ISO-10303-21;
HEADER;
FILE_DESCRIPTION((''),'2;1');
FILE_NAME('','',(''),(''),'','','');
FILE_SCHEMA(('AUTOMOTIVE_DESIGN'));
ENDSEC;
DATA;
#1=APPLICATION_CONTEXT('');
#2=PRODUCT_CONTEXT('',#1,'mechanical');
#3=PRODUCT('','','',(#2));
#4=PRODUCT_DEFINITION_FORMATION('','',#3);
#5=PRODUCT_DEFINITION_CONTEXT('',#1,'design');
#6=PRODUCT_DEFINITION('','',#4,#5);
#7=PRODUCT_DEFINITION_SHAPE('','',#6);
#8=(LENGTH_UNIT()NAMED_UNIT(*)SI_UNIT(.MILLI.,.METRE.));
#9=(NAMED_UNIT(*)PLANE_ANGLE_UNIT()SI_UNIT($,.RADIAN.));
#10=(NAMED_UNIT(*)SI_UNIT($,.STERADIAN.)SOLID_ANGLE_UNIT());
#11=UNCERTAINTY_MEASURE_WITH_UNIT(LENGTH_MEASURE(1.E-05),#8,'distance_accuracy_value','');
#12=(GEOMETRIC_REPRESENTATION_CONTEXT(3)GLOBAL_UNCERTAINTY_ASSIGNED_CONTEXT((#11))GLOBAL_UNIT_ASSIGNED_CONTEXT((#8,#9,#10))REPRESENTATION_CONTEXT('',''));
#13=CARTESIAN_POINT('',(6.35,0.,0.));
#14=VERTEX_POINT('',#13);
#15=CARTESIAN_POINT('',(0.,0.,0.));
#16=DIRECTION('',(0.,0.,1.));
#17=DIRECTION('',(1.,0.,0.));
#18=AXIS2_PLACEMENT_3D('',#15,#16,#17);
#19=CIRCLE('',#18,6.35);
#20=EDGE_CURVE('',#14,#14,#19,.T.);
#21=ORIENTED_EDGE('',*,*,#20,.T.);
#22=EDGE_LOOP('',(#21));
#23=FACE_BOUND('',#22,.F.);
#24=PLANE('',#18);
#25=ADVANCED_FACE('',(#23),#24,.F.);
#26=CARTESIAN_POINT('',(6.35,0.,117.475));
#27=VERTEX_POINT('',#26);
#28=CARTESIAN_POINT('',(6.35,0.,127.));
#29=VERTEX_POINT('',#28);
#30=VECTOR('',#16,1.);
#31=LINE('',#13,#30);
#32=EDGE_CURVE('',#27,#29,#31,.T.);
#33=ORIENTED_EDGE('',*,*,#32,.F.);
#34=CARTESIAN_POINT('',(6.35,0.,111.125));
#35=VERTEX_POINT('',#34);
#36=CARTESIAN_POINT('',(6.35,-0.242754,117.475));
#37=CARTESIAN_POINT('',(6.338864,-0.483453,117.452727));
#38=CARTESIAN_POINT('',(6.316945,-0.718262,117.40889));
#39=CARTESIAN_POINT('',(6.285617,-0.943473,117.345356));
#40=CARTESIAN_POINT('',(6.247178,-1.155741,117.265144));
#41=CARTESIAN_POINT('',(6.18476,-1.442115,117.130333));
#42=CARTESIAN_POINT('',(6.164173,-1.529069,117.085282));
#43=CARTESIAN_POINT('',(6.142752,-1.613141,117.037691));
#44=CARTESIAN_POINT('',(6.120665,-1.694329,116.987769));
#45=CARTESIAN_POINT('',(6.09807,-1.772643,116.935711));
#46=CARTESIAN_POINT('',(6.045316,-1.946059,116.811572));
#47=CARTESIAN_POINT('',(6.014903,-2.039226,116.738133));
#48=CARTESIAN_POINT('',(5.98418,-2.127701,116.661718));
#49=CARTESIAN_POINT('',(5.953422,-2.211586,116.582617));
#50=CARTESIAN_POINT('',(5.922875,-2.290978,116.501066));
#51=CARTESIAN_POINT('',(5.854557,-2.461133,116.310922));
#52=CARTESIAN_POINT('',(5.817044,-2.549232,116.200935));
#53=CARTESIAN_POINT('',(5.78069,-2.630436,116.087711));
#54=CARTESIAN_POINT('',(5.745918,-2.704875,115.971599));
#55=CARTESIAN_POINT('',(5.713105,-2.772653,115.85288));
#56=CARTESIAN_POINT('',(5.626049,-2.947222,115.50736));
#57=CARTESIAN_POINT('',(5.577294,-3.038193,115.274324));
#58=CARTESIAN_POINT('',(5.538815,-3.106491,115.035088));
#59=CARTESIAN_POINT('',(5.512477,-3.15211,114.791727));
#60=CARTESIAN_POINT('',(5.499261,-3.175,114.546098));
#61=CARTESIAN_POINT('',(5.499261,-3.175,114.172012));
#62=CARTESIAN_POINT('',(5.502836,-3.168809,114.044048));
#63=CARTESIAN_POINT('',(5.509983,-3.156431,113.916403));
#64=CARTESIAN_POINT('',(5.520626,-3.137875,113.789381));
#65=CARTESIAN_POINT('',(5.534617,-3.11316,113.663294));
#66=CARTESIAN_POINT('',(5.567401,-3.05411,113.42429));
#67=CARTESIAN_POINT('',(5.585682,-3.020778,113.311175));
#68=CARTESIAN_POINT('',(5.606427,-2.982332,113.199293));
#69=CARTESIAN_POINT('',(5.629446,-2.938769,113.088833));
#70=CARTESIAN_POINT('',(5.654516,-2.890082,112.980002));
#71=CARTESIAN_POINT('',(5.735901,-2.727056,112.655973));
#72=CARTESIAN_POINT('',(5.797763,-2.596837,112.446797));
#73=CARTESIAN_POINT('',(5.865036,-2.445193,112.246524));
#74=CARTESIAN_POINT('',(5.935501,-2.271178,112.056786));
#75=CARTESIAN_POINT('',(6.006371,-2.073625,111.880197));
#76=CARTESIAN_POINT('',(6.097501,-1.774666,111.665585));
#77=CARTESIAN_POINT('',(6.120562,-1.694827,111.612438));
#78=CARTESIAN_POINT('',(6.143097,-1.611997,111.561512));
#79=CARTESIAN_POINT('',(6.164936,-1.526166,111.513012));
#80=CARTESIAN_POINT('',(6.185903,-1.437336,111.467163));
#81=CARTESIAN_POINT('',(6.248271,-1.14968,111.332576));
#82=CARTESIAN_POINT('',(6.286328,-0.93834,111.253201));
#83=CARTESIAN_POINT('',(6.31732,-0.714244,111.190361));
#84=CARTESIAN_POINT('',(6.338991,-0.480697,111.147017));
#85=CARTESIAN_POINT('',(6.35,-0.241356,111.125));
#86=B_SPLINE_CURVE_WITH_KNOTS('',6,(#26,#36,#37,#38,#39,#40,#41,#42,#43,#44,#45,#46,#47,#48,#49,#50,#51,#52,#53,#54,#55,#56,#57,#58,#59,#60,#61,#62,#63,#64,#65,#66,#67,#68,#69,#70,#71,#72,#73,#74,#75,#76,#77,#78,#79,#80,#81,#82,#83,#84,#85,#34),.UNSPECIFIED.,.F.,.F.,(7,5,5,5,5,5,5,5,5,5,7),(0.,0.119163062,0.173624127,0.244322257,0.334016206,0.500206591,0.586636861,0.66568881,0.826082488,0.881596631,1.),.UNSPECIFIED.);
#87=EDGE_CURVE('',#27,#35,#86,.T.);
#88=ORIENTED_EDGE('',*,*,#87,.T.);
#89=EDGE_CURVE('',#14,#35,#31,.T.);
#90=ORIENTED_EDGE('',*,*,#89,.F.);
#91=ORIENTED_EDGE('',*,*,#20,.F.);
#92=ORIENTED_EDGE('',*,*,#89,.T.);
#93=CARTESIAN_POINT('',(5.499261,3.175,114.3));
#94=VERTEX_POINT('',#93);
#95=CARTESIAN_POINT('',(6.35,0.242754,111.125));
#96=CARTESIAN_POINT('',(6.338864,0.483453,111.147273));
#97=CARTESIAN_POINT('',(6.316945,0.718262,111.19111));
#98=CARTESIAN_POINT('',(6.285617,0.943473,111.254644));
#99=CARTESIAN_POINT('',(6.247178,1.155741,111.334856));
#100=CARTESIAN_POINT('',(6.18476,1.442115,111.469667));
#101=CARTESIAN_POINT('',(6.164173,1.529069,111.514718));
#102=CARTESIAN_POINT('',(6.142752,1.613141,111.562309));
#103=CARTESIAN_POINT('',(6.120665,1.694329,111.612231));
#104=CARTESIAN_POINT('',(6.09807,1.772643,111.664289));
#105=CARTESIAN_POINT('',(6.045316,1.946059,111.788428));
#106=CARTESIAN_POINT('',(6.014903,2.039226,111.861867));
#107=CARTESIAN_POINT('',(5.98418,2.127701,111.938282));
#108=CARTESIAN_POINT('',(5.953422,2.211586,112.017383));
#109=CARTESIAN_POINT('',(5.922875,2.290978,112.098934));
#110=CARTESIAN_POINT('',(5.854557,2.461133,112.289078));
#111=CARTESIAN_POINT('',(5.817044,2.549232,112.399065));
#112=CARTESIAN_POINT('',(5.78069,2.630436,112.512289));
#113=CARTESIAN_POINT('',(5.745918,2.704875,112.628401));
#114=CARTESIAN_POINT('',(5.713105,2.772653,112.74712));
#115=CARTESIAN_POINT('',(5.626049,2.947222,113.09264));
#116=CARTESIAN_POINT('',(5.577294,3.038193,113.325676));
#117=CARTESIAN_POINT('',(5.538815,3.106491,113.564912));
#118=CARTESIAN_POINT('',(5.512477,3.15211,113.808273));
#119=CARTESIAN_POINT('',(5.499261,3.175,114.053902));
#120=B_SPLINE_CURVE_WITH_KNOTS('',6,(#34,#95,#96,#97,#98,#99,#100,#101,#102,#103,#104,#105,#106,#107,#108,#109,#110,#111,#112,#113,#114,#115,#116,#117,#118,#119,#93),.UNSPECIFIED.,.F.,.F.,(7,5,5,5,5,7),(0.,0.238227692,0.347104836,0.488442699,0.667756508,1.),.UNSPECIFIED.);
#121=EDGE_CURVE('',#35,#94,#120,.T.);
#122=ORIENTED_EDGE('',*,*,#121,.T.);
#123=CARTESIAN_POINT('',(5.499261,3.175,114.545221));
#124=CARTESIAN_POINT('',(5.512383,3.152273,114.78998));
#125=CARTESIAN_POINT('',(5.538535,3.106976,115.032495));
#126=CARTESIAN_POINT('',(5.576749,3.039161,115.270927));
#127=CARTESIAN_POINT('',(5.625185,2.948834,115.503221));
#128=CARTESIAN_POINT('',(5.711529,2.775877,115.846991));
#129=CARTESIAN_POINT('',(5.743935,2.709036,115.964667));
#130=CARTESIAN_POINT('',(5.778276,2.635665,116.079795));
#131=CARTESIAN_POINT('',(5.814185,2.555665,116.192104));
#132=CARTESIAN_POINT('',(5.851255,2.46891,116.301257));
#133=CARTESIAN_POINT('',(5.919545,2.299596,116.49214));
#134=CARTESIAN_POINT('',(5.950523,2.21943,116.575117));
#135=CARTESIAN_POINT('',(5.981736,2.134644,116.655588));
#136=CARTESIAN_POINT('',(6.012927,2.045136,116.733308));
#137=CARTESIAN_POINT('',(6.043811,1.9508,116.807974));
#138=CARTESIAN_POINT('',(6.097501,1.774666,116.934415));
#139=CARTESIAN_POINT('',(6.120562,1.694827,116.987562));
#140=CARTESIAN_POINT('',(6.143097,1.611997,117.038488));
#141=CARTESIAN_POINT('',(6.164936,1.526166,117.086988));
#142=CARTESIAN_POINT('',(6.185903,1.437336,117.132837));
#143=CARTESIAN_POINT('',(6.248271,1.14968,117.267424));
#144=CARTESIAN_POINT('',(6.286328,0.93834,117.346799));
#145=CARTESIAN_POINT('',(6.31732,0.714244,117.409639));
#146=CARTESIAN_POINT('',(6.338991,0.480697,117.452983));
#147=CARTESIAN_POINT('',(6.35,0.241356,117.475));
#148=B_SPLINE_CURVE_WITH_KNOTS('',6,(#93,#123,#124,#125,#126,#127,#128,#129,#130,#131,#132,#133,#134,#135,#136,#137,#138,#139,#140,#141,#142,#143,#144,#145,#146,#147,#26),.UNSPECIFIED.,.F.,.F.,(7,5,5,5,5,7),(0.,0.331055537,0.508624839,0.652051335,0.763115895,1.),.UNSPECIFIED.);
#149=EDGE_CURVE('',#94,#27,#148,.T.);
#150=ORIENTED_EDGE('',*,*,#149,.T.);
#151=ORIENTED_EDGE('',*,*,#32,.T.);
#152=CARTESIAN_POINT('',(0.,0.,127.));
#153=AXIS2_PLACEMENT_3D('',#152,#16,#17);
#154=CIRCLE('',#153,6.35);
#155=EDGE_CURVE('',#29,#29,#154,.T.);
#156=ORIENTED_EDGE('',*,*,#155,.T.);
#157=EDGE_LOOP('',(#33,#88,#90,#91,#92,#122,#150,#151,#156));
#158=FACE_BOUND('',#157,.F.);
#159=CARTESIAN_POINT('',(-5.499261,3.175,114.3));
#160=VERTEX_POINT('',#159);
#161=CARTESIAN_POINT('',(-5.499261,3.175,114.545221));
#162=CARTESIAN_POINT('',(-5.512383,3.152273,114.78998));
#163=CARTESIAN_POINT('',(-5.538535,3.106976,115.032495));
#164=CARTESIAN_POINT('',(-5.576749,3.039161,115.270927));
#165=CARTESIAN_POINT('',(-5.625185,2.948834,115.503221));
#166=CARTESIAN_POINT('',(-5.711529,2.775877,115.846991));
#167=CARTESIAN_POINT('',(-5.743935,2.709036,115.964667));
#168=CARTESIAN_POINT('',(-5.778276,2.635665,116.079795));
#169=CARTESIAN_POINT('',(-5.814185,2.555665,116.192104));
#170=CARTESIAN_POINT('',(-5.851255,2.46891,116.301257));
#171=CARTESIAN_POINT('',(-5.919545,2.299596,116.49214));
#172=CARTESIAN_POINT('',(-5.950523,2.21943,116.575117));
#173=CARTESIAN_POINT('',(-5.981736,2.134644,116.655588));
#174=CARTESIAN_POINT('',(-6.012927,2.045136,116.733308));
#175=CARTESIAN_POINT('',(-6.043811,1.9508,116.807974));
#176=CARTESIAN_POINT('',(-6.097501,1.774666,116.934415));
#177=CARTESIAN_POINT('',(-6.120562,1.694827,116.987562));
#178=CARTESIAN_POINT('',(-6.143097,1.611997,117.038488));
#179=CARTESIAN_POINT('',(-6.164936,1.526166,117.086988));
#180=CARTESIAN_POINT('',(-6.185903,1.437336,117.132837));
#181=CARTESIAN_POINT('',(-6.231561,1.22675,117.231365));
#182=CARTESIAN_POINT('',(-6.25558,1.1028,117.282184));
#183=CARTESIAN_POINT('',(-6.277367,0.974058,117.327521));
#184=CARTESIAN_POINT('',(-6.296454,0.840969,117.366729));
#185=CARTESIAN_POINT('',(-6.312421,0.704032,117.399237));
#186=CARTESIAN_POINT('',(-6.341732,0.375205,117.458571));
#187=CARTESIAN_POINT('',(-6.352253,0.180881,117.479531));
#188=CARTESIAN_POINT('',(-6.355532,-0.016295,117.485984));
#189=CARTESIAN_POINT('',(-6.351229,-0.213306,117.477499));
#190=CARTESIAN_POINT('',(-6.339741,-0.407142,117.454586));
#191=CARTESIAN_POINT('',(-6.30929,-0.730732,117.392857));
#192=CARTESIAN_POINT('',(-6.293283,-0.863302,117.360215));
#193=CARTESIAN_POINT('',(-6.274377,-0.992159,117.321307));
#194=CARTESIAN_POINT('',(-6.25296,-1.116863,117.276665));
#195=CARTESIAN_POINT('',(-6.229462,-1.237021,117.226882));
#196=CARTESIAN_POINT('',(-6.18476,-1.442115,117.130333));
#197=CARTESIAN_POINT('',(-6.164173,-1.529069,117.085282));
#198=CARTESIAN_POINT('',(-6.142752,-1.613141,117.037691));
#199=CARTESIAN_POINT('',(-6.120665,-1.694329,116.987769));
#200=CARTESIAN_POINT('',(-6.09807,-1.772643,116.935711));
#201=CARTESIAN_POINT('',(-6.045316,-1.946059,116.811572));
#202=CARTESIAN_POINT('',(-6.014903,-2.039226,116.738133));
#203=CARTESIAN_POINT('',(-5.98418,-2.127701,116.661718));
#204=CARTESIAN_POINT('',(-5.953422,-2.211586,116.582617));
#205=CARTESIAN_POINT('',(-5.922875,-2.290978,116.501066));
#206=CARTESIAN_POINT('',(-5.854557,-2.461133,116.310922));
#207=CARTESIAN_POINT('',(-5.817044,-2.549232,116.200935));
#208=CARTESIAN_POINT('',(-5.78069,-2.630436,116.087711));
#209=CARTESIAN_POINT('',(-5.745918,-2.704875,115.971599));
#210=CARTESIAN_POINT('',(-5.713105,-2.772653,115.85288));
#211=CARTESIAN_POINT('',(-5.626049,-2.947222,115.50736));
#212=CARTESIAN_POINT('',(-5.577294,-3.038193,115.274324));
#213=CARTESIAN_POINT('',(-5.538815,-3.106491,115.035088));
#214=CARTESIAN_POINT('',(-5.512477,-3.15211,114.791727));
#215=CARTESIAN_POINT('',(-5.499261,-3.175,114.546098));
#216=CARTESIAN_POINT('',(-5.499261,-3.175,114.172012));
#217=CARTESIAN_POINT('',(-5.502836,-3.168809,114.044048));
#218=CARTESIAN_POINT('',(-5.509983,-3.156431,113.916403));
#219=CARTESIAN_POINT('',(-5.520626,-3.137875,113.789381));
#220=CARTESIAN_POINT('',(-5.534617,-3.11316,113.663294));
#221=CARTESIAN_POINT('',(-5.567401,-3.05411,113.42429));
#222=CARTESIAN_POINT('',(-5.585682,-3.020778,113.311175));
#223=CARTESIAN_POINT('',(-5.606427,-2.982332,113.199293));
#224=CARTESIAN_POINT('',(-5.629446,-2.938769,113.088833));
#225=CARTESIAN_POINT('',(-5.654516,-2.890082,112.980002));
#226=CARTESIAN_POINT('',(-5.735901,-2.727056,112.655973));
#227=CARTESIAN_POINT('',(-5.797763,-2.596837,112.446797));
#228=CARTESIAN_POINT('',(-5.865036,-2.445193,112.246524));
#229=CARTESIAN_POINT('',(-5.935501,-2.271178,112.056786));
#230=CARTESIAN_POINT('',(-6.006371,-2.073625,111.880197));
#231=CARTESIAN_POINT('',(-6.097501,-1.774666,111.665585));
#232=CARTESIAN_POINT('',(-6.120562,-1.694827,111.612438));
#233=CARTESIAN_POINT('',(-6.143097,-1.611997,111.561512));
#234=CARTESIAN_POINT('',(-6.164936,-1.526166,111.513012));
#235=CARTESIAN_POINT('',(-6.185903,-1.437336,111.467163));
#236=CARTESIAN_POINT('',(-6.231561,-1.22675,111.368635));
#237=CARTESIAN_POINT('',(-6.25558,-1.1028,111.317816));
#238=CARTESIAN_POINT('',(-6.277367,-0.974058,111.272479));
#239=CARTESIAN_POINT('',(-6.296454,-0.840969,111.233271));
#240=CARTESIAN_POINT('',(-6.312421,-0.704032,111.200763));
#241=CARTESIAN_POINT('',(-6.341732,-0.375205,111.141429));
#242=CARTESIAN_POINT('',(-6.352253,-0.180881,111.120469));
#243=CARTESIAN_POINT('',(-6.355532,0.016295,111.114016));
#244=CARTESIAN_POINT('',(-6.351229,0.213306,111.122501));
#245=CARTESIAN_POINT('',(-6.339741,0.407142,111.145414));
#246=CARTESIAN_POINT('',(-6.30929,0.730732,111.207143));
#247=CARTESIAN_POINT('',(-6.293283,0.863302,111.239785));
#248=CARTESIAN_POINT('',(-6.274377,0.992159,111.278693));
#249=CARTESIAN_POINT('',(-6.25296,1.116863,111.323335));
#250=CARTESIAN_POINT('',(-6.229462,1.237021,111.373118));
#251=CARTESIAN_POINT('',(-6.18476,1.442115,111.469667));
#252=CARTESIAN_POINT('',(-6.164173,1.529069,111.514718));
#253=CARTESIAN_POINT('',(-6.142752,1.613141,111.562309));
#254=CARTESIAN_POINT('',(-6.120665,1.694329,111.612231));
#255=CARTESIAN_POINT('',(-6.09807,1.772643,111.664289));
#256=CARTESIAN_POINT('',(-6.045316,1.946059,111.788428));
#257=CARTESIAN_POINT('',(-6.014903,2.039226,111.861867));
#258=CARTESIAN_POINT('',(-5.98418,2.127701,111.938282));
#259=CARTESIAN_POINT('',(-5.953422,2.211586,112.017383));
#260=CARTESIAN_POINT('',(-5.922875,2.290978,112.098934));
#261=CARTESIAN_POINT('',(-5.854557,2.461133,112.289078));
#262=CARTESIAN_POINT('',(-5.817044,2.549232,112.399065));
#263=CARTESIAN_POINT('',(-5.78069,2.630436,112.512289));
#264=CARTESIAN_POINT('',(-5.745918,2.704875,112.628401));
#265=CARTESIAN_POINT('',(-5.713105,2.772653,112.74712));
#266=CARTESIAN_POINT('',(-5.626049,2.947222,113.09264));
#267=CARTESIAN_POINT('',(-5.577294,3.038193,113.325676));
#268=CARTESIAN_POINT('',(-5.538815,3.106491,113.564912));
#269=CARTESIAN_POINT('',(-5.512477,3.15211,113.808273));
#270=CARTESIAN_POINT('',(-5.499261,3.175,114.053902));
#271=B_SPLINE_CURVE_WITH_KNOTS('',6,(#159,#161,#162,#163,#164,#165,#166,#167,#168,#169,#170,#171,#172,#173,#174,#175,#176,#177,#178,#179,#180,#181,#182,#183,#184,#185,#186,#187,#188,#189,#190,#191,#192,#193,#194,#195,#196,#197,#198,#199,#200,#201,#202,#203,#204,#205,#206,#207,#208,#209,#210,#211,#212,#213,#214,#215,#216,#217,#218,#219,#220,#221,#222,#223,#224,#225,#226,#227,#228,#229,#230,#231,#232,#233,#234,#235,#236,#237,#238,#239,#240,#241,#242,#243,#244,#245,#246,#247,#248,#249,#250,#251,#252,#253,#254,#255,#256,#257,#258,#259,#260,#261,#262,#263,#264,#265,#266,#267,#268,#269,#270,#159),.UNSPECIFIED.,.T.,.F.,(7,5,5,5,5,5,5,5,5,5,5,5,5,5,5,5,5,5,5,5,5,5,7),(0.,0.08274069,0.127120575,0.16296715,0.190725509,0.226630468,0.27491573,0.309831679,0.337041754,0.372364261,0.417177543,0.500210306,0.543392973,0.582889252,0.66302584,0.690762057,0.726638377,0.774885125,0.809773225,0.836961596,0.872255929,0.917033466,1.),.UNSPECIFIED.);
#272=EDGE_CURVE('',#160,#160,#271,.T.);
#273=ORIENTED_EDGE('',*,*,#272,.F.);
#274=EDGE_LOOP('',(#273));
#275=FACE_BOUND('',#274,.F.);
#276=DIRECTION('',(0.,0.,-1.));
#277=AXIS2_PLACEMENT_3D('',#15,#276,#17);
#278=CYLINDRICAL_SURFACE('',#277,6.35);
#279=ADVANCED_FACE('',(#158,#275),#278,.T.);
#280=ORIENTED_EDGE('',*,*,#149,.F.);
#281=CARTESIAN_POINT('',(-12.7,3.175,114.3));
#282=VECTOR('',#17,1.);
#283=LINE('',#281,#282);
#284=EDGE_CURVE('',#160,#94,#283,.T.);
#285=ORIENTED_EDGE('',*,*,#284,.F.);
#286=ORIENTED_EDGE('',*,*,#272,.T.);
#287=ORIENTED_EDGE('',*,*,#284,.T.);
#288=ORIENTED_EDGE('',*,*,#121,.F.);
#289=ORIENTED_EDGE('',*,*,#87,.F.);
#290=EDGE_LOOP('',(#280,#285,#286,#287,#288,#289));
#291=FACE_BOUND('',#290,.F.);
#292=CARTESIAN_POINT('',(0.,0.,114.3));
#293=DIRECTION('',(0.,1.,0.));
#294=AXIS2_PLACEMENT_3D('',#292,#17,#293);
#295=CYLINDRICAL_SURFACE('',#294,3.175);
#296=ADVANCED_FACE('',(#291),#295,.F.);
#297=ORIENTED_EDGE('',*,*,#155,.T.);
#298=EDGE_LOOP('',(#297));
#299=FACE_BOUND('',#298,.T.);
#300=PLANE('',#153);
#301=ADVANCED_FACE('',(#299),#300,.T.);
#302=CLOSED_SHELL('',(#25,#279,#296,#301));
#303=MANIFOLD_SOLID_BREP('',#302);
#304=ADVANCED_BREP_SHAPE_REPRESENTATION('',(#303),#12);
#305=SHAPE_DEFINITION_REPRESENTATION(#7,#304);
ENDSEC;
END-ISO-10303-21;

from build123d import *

# Parameters (mm, degrees)
F0_R     = 6.35
F1_DEPTH = 127
F2_R     = 3.175
F3_DEPTH = 12.7


with BuildPart() as f1:
    # F0 (on Top) → F1 (new body)
    with BuildSketch(Plane.XY):
        Circle(F0_R)
    extrude(amount=F1_DEPTH)

    # F2 (on Right) → F3 (cut, symmetric)
    with BuildSketch(Plane.YZ):
        with Locations((0, 114.3)):
            Circle(F2_R)
    extrude(amount=F3_DEPTH, both=True, mode=Mode.SUBTRACT)


solid = f1.part
